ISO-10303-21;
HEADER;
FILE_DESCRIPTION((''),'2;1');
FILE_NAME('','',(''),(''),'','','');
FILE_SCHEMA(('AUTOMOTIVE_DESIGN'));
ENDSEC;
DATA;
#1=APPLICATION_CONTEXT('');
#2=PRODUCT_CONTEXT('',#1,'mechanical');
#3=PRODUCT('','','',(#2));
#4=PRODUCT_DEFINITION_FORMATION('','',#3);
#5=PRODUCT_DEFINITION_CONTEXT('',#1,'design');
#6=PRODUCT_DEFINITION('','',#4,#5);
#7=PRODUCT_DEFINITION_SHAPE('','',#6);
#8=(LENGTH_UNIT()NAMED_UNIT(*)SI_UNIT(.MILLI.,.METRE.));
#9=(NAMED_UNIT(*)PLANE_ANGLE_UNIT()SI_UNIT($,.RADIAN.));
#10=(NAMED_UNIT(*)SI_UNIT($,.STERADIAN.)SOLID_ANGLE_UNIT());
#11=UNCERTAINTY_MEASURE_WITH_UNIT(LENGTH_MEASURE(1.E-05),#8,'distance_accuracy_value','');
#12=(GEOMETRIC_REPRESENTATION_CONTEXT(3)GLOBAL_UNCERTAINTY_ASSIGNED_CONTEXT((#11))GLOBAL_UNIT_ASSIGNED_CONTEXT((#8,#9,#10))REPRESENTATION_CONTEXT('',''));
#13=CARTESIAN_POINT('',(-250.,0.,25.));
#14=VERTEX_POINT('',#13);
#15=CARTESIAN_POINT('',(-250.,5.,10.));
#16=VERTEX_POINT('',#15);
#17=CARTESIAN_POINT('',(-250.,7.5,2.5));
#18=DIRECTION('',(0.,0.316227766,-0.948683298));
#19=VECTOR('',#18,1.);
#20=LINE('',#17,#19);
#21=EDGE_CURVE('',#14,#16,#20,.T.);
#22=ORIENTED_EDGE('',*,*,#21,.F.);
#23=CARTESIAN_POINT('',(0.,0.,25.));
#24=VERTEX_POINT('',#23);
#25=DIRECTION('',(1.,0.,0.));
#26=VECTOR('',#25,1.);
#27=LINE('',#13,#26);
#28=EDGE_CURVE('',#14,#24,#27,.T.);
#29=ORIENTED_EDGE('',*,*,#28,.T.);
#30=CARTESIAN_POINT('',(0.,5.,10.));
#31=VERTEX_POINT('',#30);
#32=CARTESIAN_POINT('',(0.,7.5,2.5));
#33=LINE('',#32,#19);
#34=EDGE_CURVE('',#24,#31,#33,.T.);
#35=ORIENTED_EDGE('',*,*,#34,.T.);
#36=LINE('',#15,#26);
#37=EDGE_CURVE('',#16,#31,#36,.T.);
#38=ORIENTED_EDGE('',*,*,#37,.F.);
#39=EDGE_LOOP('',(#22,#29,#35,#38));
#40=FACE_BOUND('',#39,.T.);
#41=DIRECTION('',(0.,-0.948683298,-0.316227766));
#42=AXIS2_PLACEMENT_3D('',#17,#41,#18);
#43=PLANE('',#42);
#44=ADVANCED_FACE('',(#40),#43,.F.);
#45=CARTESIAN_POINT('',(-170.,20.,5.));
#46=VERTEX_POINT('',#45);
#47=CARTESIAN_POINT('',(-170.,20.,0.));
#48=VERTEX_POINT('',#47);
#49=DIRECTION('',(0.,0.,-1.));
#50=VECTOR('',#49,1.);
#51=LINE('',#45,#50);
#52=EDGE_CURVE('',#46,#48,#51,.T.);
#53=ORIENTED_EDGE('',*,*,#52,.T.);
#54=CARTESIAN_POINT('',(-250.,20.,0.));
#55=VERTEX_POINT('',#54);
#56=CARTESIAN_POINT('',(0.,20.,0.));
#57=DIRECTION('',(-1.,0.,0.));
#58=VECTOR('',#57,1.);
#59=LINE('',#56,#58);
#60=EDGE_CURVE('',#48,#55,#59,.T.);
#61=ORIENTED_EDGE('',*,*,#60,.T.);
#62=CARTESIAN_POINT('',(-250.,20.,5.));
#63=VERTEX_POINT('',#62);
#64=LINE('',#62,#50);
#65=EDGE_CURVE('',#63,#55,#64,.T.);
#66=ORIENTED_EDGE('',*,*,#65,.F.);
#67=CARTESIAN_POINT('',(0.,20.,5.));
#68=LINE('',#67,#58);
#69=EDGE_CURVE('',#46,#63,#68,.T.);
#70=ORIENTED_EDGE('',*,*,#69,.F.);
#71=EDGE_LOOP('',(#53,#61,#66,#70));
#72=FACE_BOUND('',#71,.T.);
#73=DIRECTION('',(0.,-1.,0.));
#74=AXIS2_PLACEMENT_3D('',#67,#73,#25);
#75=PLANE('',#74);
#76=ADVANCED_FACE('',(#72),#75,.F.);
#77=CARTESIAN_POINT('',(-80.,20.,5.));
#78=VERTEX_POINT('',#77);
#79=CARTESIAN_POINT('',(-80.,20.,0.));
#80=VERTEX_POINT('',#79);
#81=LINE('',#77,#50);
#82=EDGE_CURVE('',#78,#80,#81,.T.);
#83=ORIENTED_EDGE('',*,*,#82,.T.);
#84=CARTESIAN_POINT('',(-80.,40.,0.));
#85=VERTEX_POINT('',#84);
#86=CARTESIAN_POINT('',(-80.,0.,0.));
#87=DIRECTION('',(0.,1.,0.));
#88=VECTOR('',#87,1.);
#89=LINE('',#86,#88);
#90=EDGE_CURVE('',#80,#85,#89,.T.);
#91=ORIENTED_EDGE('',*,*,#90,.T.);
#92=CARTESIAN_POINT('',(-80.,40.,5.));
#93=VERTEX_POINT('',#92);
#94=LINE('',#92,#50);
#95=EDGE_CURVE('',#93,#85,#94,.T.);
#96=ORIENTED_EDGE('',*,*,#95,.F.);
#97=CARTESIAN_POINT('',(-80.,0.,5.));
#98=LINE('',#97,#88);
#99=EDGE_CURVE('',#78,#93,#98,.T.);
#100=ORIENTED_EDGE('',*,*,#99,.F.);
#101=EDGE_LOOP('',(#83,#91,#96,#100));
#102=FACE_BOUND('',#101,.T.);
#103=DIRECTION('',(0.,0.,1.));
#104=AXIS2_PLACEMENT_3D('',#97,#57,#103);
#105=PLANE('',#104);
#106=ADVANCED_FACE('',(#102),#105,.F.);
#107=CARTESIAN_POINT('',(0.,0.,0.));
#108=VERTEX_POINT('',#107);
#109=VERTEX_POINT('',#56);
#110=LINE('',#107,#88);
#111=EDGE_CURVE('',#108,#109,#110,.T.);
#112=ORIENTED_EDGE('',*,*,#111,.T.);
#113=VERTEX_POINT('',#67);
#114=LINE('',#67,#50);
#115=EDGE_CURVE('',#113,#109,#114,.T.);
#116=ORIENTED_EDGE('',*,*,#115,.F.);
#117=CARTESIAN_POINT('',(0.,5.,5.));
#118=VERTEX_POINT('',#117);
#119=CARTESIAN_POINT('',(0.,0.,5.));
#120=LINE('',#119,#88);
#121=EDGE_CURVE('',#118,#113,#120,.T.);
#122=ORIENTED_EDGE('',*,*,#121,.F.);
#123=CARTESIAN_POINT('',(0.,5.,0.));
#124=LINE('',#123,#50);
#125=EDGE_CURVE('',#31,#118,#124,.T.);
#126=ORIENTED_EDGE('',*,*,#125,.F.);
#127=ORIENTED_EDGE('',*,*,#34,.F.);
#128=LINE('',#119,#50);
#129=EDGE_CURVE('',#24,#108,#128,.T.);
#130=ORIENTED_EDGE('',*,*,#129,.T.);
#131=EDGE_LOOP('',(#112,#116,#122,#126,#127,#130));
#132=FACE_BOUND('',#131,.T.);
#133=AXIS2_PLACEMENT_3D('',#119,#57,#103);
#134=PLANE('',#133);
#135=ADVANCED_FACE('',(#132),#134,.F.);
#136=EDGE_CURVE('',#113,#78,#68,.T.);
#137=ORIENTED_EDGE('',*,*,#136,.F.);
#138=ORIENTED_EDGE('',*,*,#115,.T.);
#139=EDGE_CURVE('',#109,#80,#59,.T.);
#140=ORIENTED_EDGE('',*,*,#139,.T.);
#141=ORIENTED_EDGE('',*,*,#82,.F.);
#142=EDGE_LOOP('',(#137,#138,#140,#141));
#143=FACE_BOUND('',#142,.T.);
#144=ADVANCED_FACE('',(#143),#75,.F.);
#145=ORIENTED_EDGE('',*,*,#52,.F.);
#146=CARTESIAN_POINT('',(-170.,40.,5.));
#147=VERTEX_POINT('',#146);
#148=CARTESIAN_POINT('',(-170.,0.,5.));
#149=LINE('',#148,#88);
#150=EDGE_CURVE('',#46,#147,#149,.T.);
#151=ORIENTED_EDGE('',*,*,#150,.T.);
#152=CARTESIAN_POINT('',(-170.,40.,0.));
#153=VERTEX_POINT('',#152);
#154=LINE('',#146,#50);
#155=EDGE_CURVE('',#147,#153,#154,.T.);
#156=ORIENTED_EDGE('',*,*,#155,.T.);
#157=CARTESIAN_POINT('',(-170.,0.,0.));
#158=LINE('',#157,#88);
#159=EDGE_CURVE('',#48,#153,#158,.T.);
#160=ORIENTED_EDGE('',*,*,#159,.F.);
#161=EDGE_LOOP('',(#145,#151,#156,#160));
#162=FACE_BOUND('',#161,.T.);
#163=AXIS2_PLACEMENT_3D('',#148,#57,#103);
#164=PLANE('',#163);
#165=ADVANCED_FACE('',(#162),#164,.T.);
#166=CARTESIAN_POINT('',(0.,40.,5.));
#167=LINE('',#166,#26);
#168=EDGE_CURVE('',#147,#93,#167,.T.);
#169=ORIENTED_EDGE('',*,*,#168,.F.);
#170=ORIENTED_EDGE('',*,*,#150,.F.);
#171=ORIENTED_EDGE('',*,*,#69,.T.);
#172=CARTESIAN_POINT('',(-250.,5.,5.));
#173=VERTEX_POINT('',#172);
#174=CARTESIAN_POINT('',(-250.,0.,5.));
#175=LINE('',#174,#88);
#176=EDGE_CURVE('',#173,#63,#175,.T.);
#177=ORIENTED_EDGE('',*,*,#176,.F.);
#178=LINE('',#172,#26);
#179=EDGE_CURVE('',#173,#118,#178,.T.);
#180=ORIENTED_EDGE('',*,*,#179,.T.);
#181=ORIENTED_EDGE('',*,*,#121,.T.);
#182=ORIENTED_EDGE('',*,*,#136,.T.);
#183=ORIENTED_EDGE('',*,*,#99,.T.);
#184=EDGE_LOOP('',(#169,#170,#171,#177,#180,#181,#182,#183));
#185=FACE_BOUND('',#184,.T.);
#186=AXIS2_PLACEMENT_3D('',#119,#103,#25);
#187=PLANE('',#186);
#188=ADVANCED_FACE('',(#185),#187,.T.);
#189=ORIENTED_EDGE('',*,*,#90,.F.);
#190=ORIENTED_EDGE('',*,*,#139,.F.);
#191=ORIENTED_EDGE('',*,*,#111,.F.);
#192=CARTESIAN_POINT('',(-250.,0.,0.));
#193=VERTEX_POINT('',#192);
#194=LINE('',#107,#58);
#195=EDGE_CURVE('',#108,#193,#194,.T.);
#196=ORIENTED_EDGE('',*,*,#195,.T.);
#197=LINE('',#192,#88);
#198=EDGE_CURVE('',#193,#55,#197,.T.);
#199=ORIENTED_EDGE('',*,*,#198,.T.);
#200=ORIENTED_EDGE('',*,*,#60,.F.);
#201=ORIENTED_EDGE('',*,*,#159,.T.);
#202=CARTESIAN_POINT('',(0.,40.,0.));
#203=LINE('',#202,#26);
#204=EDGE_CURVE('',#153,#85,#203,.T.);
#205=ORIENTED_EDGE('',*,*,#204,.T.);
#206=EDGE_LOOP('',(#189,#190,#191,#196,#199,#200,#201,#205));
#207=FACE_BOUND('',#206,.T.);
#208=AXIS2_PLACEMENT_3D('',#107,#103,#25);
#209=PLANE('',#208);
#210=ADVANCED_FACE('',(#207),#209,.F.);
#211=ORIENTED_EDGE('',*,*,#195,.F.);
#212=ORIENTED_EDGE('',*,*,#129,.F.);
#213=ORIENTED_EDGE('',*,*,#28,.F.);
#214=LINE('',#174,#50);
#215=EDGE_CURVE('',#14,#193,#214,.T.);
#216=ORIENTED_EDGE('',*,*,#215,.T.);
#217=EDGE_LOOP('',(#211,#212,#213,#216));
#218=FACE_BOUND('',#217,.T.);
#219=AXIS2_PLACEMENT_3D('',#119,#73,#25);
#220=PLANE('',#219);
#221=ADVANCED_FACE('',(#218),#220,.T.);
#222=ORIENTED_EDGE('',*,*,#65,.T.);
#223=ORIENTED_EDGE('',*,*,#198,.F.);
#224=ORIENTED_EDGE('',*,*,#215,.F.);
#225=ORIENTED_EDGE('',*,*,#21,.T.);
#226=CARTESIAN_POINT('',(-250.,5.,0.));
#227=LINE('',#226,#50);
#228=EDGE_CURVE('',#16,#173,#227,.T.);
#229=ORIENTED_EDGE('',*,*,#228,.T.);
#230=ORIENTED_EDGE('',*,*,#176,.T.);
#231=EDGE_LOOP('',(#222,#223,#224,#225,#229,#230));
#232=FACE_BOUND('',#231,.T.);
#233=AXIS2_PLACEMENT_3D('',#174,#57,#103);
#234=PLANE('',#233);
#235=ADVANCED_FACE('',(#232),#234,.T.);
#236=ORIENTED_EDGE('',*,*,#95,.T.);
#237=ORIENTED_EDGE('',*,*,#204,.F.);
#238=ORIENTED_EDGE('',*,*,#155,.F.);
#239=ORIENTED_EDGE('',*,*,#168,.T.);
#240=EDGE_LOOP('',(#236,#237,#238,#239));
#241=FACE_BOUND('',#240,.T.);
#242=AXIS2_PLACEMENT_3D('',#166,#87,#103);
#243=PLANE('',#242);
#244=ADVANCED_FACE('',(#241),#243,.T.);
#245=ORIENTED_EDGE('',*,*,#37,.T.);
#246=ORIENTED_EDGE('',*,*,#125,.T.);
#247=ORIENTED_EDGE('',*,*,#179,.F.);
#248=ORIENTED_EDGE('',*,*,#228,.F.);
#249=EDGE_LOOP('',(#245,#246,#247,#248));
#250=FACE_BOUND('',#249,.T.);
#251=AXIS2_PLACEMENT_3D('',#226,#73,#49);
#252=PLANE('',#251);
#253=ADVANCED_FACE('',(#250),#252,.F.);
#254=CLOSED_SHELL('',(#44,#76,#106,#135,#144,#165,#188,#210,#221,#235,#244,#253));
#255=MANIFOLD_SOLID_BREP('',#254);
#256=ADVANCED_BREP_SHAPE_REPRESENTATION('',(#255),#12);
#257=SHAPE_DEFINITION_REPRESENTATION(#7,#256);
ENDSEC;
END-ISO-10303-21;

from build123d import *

# Parameters (mm, degrees)
ESQUISSE1_W        = 90
ESQUISSE1_H        = 20
ESQUISSE1_W_2      = 250
BOSS_EXTRU_1_DEPTH = 5
BOSS_EXTRU_2_DEPTH = 250


with BuildPart() as part:
    # Esquisse1 → Boss.-Extru.1 (new body)
    with BuildSketch(Plane.XY):
        with Locations((-125, 30)):
            Rectangle(ESQUISSE1_W, ESQUISSE1_H)
        with Locations((-125, 10)):
            Rectangle(ESQUISSE1_W_2, ESQUISSE1_H)
    extrude(amount=BOSS_EXTRU_1_DEPTH)

    # Esquisse2 → Boss.-Extru.2 (add)
    with BuildSketch(Plane(origin=(0, 0, 0), x_dir=(0, 0, -1), z_dir=(1, 0, 0))):
        Polygon((-25, 0), (-5, 0), (-5, 5), (-10, 5), align=None)
    extrude(amount=-BOSS_EXTRU_2_DEPTH)


solid = part.part
